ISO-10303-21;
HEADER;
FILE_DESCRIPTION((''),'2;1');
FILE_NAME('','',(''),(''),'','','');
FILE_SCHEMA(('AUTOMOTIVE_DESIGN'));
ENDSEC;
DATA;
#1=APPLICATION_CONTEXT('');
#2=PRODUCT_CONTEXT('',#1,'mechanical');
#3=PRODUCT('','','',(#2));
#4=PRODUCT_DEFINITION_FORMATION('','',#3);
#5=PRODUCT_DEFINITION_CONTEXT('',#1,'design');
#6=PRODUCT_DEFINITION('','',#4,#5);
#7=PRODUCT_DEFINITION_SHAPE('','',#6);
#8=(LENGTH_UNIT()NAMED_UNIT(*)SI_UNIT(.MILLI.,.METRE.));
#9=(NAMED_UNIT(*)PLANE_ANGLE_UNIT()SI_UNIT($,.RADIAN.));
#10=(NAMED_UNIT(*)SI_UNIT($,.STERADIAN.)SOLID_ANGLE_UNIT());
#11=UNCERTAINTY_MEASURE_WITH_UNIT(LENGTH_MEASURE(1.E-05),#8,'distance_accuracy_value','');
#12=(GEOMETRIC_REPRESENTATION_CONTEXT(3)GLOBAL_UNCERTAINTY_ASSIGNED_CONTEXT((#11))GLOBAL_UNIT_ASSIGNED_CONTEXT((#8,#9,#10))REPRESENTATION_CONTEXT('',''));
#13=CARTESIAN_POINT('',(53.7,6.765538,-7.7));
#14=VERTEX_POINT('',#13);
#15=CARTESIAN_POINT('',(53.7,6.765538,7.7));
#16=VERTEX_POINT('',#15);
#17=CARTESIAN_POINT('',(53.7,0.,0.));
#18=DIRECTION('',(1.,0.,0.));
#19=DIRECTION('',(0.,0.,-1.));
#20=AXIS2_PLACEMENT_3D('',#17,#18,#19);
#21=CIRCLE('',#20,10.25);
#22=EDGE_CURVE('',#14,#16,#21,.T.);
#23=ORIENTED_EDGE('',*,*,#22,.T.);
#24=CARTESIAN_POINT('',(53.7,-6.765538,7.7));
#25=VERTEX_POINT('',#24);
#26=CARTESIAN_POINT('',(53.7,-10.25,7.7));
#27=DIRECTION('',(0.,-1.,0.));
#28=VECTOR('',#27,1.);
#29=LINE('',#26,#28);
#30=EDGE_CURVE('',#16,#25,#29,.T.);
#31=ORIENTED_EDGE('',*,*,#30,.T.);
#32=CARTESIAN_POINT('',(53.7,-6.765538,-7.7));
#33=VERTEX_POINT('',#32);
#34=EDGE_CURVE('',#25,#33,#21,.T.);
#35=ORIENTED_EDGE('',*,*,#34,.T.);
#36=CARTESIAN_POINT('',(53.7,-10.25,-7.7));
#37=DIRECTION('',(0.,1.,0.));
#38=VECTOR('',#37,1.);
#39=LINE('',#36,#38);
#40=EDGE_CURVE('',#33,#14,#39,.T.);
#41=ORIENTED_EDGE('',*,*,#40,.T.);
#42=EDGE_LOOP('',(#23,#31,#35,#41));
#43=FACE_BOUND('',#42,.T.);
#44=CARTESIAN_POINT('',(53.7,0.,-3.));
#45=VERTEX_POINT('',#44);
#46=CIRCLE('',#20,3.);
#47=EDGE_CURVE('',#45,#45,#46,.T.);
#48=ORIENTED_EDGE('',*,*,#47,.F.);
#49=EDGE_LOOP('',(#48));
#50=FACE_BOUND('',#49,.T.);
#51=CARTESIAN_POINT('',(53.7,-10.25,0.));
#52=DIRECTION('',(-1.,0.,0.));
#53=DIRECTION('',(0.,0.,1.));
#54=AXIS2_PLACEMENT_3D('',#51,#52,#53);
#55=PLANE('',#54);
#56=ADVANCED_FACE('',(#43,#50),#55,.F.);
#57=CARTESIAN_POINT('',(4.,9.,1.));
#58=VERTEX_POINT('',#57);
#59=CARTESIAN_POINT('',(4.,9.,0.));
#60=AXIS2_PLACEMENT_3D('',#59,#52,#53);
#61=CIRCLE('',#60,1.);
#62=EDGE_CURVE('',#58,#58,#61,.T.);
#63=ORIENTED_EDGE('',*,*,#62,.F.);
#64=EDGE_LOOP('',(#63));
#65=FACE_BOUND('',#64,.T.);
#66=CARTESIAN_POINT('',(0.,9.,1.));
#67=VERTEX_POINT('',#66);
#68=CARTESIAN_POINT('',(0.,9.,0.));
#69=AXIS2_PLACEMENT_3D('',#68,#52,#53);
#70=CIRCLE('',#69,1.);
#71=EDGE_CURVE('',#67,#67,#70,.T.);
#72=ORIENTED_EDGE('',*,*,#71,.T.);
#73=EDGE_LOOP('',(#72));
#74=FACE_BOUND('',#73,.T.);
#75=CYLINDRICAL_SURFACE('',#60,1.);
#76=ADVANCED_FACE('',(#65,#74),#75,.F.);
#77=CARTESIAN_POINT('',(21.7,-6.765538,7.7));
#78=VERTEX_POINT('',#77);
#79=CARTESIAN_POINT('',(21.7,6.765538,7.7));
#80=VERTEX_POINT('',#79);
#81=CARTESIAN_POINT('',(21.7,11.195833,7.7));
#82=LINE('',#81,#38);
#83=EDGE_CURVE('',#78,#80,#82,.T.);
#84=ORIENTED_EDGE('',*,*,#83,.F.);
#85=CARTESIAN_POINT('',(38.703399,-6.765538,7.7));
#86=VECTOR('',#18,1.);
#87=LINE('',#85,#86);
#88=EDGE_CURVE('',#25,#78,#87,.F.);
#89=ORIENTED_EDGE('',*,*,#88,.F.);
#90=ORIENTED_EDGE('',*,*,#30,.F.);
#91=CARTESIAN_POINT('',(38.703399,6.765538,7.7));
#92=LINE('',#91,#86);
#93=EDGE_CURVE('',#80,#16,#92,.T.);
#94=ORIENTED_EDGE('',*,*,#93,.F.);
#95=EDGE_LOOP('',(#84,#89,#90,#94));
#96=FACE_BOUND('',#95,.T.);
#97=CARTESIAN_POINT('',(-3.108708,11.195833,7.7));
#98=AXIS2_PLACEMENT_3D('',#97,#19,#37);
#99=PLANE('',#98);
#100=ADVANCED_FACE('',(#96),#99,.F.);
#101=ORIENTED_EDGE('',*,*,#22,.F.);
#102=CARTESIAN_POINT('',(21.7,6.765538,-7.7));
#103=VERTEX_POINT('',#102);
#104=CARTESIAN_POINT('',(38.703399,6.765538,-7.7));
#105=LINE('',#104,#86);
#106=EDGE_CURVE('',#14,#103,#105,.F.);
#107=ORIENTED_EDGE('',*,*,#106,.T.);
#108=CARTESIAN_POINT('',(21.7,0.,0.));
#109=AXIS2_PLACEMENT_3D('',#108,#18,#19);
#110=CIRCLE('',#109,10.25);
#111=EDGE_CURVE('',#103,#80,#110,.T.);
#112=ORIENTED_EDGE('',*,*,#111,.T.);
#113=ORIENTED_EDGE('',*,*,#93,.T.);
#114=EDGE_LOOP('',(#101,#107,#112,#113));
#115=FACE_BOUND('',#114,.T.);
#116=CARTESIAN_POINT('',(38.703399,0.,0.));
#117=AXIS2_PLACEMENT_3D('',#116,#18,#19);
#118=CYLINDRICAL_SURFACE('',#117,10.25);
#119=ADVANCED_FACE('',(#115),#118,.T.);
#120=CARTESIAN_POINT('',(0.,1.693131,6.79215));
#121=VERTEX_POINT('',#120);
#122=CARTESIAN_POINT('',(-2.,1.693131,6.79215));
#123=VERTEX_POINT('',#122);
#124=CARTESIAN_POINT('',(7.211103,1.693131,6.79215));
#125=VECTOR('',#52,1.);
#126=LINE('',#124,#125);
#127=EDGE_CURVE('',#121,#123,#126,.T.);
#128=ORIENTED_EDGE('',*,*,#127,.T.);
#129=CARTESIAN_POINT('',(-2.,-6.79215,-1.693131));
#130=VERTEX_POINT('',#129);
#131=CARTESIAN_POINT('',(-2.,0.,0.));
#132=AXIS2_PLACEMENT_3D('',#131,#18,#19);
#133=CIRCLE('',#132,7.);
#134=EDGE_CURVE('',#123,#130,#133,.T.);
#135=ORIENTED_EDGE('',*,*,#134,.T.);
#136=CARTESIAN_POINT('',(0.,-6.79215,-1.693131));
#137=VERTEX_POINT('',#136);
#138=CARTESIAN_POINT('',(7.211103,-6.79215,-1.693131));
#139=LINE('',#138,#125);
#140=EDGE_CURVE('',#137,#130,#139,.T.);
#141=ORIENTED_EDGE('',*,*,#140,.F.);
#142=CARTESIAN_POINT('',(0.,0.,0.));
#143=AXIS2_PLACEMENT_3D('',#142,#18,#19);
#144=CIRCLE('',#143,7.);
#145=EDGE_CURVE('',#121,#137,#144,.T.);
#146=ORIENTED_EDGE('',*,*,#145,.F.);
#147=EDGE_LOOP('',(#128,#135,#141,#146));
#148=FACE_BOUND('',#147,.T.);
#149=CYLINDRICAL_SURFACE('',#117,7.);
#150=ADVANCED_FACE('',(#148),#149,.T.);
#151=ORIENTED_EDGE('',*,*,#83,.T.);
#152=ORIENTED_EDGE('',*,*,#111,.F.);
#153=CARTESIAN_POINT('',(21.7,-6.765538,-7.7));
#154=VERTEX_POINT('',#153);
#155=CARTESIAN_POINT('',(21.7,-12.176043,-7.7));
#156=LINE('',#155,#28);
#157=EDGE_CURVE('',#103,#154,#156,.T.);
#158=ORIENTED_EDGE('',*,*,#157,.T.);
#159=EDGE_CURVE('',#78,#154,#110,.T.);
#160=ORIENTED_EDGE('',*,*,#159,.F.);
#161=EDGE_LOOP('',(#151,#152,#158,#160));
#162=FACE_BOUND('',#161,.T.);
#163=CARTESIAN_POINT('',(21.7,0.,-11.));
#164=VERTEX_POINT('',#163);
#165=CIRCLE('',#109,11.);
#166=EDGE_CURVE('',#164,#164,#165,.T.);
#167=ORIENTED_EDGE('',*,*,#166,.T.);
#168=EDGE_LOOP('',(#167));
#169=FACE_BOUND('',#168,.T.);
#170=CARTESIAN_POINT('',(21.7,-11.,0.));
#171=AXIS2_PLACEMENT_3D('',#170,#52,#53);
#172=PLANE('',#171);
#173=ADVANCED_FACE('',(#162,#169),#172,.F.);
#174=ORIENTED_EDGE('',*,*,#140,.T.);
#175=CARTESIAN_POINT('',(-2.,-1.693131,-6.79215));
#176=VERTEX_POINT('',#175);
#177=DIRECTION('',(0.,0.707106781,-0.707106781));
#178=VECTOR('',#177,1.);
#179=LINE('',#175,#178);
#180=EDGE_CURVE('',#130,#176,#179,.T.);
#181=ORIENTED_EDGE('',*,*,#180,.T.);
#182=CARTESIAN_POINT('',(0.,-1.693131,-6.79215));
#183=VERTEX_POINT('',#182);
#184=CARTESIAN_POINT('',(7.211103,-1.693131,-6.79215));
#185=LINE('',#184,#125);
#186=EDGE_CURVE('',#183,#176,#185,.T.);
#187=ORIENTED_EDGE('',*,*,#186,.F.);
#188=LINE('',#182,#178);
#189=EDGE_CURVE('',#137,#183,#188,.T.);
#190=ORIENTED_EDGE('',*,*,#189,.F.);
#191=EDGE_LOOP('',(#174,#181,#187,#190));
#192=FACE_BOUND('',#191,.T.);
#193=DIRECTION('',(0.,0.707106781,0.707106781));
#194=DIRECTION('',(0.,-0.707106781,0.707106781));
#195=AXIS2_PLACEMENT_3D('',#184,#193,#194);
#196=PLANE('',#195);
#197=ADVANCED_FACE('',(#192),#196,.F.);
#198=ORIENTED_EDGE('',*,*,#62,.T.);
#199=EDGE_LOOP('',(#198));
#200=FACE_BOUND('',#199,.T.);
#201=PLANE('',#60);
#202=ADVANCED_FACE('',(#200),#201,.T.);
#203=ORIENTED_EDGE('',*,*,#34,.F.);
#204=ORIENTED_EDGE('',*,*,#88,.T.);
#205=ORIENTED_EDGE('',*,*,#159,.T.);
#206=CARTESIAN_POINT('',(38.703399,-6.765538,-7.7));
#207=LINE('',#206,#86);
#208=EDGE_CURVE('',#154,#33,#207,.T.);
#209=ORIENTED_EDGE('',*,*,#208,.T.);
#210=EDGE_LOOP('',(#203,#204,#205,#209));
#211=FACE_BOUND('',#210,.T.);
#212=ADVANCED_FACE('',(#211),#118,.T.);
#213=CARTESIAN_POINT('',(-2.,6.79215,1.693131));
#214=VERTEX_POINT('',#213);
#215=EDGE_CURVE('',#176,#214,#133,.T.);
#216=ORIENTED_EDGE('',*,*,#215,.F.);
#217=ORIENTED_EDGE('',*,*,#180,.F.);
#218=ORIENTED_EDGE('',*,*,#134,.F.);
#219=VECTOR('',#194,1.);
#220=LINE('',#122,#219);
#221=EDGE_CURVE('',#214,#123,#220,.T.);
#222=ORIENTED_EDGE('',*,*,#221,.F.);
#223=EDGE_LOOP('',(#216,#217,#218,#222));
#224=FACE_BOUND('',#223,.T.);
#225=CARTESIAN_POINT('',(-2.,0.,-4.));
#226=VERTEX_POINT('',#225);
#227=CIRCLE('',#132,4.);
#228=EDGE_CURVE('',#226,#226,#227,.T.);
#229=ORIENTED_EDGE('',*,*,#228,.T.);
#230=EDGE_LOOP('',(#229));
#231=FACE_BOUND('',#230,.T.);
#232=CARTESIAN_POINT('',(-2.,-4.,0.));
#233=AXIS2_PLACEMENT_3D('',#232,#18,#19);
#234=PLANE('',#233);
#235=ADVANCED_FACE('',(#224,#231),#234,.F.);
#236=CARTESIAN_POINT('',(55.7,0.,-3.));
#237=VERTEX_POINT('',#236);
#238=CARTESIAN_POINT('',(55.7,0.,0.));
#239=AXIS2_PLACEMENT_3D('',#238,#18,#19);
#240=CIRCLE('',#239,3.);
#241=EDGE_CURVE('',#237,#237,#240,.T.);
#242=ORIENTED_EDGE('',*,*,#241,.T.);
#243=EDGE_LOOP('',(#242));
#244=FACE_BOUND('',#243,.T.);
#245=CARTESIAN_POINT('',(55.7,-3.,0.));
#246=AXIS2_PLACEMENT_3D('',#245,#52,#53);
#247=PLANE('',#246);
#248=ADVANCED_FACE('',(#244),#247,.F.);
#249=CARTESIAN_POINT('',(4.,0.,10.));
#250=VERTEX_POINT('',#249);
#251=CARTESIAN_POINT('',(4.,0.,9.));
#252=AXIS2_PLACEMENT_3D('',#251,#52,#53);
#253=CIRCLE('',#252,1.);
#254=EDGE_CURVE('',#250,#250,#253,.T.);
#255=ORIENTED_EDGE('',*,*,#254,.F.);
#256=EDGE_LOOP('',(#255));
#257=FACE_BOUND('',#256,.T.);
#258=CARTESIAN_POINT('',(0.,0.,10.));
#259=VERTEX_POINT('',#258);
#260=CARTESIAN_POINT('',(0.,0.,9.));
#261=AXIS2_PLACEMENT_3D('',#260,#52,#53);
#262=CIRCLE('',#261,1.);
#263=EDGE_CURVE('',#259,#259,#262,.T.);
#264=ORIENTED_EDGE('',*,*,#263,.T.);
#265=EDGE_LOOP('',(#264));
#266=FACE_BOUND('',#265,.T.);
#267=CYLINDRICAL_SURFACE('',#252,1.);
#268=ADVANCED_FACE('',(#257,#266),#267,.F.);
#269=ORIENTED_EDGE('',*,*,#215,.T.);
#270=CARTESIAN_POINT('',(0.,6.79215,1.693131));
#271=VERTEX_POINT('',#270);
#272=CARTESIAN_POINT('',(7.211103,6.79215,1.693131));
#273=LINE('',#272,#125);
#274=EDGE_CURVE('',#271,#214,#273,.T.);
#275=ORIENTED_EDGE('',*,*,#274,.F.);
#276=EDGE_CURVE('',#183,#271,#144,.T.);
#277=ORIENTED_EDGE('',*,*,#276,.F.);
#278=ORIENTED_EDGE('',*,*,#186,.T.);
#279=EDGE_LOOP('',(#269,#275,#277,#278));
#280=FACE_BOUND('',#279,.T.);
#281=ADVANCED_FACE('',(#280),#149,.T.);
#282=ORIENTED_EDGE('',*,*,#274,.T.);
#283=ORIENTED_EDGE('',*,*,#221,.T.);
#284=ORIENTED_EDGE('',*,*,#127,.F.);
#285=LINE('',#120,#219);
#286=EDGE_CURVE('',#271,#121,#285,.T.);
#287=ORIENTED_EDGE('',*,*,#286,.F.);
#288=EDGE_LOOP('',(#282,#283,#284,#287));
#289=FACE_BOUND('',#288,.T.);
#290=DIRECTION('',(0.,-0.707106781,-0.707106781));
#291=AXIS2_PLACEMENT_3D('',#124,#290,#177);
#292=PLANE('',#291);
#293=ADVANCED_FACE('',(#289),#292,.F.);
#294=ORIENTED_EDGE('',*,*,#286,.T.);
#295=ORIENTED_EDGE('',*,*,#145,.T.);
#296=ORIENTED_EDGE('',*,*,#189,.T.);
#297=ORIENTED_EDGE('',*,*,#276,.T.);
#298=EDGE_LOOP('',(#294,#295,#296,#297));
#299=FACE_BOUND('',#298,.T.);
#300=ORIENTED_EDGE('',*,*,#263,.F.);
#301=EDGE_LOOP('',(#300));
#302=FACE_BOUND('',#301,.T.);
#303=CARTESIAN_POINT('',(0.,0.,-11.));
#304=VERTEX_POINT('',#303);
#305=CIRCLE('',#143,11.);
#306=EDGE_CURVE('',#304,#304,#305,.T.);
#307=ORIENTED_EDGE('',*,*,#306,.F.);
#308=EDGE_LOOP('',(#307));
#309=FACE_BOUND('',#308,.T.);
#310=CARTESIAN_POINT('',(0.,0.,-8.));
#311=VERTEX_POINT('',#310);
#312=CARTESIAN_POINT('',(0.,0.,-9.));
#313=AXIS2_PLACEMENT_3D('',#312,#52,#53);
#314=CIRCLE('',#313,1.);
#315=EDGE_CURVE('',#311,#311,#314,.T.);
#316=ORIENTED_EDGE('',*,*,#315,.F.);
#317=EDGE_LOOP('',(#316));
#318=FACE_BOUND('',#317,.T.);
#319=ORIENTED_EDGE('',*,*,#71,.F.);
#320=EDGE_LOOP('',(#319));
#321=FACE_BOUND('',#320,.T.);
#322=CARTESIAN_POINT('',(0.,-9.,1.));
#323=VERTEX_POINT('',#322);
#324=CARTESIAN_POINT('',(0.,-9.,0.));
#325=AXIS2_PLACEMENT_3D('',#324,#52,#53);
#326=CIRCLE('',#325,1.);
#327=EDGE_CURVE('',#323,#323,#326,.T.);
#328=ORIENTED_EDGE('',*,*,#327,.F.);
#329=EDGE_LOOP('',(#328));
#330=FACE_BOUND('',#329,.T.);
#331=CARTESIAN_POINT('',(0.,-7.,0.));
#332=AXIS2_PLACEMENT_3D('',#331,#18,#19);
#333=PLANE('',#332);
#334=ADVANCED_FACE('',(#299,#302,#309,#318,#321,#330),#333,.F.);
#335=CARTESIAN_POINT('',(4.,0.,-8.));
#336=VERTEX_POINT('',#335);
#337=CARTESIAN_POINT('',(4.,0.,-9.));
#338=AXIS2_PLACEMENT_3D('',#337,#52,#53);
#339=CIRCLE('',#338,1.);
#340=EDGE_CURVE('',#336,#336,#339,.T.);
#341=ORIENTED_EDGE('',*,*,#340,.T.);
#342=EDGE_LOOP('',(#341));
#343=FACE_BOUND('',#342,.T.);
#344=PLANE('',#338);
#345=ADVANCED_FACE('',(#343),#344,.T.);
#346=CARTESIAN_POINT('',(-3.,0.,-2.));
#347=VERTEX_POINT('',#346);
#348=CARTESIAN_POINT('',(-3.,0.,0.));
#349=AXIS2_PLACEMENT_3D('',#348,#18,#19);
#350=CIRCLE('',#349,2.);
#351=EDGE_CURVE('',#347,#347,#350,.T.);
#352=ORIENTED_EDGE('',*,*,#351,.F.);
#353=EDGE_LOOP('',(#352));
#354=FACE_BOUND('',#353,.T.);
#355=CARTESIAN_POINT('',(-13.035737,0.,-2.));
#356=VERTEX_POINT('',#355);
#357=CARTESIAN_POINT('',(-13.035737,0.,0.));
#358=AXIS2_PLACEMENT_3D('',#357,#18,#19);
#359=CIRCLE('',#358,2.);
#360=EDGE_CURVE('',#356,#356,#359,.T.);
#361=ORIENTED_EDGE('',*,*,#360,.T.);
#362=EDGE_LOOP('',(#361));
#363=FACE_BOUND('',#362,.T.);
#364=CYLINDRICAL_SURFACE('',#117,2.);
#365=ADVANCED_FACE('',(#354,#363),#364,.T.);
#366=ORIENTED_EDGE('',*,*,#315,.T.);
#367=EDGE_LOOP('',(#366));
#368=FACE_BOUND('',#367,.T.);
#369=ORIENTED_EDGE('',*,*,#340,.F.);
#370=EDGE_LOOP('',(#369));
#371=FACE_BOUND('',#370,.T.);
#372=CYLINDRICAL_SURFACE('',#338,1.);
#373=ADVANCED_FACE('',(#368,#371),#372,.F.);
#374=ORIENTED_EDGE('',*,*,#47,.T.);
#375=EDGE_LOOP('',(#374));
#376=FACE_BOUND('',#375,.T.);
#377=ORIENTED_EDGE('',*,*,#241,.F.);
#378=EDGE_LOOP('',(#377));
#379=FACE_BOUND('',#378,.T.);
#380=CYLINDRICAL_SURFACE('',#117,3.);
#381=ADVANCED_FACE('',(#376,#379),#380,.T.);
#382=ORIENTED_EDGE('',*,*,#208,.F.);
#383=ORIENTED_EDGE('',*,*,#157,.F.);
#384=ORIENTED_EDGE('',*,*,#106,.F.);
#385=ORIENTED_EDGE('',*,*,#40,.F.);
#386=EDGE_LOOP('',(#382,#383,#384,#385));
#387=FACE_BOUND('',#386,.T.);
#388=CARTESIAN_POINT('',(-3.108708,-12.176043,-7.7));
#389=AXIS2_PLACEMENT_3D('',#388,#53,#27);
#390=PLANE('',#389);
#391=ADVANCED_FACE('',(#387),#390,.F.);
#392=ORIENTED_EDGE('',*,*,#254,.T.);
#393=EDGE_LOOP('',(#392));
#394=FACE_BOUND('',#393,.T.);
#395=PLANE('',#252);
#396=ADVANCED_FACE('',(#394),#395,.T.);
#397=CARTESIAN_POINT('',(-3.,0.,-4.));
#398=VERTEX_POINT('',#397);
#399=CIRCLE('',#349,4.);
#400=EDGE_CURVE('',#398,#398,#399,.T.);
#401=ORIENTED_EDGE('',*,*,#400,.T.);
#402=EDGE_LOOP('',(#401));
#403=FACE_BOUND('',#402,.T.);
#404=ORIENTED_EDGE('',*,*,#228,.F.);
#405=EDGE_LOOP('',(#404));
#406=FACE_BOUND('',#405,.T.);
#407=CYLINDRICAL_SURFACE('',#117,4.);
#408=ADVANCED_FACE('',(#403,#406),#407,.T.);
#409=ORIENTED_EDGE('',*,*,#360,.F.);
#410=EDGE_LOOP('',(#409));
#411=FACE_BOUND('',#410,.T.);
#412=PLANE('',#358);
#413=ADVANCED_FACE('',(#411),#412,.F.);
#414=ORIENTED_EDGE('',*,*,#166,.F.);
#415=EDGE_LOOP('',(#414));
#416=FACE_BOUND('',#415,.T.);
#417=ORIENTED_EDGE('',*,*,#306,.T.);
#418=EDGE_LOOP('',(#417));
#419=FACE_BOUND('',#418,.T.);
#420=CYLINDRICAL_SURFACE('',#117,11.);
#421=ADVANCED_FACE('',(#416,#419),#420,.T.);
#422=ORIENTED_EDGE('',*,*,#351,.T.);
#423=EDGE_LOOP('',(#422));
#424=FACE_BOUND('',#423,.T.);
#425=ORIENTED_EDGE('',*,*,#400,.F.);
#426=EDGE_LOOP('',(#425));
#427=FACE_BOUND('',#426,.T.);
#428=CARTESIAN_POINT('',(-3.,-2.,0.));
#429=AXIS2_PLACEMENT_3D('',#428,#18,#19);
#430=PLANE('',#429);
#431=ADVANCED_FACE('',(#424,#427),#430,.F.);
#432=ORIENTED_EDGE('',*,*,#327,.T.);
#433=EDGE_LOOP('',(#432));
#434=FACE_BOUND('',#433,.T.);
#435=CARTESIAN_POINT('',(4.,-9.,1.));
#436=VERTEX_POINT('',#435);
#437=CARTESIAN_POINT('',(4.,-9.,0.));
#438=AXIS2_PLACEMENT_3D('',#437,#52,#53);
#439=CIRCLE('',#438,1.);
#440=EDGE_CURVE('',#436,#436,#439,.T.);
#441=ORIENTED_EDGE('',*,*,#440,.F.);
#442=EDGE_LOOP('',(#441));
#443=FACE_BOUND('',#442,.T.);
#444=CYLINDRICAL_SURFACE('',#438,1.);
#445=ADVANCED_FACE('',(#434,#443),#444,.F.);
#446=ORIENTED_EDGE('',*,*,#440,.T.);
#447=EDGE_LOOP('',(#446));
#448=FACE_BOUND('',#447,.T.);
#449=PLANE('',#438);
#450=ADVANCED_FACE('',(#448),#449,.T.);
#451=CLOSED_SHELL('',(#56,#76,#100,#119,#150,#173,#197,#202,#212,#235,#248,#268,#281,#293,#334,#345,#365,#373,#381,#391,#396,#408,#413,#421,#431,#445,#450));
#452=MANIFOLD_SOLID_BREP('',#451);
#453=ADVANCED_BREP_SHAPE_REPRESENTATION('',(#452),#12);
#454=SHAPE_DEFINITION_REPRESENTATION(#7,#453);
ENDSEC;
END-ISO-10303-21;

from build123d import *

# Parameters (mm, degrees)
ESQUISSE2_W             = 8.320302529
ESQUISSE2_H             = 23.371875391
ESQUISSE2_W_2           = 7.922092332
ENL_V_MAT_EXTRU_1_DEPTH = 32
ENL_V_START             = -2
ENL_V_MAT_EXTRU_2_DEPTH = 2
ESQUISSE4_R             = 1
ENL_V_MAT_EXTRU_3_DEPTH = 4


with BuildPart() as part:
    # Esquisse1 → Révolution1 (revolve)
    with BuildSketch(Plane.XY, mode=Mode.PRIVATE) as r_volution1_sk:
        Polygon((-13.035736805, 0), (-13.035736805, -2), (-3, -2), (-3, -4), (-2, -4), (-2, -7), (0, -7), (0, -11), (21.7, -11), (21.7, -10.25), (53.7, -10.25), (53.7, -3), (55.7, -3), (55.7, 0), align=None)
    revolve(r_volution1_sk.sketch.rotate(Axis((38.703399471, 0, 0), (-1, 0, 0)), 270), axis=Axis((38.703399471, 0, 0), (-1, 0, 0)))

    # Esquisse2 → Enlèv. mat.-Extru.1 (cut)
    with BuildSketch(Plane(origin=(53.7, 0, 0), x_dir=(0, 0, -1), z_dir=(1, 0, 0))):
        with Locations((-11.860151265, -0.490104857)):
            Rectangle(ESQUISSE2_W, ESQUISSE2_H)
        with Locations((11.661046166, -0.490104857)):
            Rectangle(ESQUISSE2_W_2, ESQUISSE2_H)
    extrude(amount=-ENL_V_MAT_EXTRU_1_DEPTH, mode=Mode.SUBTRACT)

    # Esquisse3 → Enlèv. mat.-Extru.2 (cut)
    with BuildSketch(Plane.ZY.offset(2).offset(ENL_V_START)):
        with BuildLine():
            Line((6.792150444, 1.69313093), (1.69313093, 6.792150444))
            ThreePointArc((1.69313093, 6.792150444), (4.949747468, 4.949747468), (6.792150444, 1.69313093))
        make_face()
        with BuildLine():
            Line((-6.792150444, -1.69313093), (-1.69313093, -6.792150444))
            ThreePointArc((-1.69313093, -6.792150444), (-4.949747468, -4.949747468), (-6.792150444, -1.69313093))
        make_face()
    extrude(amount=ENL_V_MAT_EXTRU_2_DEPTH, mode=Mode.SUBTRACT)

    # Esquisse4 → Enlèv. mat.-Extru.3 (cut)
    with BuildSketch(Plane.ZY):
        with Locations((0, 9)):
            Circle(ESQUISSE4_R)
        with Locations((-9, 0)):
            Circle(ESQUISSE4_R)
        with Locations((0, -9)):
            Circle(ESQUISSE4_R)
        with Locations((9, 0)):
            Circle(ESQUISSE4_R)
    extrude(amount=-ENL_V_MAT_EXTRU_3_DEPTH, mode=Mode.SUBTRACT)


solid = part.part
